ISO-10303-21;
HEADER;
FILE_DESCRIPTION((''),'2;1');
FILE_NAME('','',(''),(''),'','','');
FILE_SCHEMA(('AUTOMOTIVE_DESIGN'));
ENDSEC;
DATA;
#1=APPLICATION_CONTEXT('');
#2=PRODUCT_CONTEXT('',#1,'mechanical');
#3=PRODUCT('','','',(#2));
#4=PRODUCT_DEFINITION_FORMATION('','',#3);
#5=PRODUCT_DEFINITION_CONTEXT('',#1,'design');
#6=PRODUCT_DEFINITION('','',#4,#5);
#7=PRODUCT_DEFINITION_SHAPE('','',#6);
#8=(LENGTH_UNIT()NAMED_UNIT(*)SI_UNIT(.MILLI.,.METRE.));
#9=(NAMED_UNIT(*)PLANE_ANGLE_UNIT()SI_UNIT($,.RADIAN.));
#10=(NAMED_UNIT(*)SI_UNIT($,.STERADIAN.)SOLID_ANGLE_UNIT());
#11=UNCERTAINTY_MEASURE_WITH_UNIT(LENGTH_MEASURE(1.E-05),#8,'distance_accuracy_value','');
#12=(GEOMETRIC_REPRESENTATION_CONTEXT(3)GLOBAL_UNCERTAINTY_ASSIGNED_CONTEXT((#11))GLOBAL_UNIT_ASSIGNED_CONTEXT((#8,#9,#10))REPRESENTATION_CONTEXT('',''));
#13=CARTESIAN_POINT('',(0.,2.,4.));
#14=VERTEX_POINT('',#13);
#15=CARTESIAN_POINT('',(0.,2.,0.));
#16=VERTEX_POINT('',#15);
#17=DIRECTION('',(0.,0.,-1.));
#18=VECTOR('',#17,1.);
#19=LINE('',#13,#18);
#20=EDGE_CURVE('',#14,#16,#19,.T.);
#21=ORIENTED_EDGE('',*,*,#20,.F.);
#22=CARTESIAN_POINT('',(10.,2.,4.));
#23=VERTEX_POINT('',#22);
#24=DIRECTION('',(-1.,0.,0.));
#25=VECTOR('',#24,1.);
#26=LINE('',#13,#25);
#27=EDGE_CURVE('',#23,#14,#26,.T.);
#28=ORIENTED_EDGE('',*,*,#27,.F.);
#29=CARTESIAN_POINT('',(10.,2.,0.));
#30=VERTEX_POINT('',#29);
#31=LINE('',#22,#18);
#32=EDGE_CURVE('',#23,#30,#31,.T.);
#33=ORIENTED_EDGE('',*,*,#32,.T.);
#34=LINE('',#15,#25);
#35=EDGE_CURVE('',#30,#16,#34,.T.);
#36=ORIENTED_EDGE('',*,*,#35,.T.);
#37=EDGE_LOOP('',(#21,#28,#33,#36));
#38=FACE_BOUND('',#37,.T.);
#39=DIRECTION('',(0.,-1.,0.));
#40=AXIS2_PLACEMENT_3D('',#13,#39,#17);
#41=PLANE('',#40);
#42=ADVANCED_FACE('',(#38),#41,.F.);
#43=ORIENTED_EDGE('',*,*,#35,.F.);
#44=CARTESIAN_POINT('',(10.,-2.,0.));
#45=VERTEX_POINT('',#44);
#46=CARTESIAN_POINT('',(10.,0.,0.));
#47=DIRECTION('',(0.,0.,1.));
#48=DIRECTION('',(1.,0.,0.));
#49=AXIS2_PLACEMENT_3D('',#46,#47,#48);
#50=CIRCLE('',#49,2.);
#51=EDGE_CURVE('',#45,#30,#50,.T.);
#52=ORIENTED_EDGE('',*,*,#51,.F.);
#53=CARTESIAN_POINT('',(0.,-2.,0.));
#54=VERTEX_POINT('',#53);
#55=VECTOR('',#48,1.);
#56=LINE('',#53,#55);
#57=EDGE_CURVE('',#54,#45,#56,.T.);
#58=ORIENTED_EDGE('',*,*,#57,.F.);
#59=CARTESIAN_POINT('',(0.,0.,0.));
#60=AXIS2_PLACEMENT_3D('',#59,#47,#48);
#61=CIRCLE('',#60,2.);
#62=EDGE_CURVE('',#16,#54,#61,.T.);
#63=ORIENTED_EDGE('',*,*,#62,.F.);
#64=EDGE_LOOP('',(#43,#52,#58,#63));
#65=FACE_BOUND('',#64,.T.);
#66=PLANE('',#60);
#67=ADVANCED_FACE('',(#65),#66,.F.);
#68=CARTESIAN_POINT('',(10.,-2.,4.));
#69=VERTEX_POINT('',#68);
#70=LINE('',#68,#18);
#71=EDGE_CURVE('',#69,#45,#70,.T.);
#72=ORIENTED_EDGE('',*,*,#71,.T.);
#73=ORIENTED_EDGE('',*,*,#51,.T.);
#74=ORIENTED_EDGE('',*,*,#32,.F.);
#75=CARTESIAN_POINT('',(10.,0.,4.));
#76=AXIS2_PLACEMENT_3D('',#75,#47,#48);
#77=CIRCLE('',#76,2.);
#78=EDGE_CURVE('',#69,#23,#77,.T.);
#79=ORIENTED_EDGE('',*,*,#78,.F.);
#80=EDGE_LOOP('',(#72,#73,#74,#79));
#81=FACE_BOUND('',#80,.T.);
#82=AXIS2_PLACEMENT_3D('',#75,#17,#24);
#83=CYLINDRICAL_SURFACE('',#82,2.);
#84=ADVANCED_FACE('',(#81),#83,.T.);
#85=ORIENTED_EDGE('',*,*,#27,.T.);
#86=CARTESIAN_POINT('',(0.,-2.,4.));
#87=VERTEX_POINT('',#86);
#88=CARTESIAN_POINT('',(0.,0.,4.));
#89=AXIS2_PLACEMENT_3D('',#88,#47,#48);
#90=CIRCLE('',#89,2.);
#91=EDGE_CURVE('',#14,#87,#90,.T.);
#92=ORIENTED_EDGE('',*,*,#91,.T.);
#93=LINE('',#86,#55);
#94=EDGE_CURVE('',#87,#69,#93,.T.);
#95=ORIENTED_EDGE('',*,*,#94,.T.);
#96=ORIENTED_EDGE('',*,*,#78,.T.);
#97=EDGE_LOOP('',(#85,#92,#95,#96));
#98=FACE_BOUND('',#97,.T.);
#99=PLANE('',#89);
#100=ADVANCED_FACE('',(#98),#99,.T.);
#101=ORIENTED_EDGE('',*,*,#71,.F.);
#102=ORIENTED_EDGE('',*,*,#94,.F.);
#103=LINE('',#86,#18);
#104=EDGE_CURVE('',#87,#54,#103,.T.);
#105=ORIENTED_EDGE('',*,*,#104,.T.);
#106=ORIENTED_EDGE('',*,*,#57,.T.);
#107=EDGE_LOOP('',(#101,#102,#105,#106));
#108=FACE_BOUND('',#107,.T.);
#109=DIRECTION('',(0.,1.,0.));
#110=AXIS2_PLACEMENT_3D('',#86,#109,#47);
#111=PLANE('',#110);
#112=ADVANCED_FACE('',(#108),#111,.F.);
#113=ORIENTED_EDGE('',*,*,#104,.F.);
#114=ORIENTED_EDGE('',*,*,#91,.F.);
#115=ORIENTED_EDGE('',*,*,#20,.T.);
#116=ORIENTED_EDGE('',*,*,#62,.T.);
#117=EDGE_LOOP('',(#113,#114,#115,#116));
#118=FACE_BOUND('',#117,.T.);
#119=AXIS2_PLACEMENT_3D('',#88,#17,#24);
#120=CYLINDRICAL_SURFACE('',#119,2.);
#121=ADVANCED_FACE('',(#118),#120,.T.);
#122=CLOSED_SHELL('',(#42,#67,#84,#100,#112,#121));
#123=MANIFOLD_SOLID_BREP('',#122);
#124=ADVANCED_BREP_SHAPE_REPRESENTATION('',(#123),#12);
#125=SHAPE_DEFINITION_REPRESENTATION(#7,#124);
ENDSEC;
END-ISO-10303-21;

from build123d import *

# Parameters (mm, degrees)
EXTRUDE_1_DEPTH = 4


with BuildPart() as part:
    # ｽｹｯﾁ1 → ﾎﾞｽ - 押し出し1 (new body)
    with BuildSketch(Plane.XY):
        with BuildLine():
            Line((0, 2), (10, 2))
            ThreePointArc((10, 2), (12, 0), (10, -2))
            Line((10, -2), (0, -2))
            ThreePointArc((0, -2), (-2, 0), (0, 2))
        make_face()
    extrude(amount=EXTRUDE_1_DEPTH)


solid = part.part
